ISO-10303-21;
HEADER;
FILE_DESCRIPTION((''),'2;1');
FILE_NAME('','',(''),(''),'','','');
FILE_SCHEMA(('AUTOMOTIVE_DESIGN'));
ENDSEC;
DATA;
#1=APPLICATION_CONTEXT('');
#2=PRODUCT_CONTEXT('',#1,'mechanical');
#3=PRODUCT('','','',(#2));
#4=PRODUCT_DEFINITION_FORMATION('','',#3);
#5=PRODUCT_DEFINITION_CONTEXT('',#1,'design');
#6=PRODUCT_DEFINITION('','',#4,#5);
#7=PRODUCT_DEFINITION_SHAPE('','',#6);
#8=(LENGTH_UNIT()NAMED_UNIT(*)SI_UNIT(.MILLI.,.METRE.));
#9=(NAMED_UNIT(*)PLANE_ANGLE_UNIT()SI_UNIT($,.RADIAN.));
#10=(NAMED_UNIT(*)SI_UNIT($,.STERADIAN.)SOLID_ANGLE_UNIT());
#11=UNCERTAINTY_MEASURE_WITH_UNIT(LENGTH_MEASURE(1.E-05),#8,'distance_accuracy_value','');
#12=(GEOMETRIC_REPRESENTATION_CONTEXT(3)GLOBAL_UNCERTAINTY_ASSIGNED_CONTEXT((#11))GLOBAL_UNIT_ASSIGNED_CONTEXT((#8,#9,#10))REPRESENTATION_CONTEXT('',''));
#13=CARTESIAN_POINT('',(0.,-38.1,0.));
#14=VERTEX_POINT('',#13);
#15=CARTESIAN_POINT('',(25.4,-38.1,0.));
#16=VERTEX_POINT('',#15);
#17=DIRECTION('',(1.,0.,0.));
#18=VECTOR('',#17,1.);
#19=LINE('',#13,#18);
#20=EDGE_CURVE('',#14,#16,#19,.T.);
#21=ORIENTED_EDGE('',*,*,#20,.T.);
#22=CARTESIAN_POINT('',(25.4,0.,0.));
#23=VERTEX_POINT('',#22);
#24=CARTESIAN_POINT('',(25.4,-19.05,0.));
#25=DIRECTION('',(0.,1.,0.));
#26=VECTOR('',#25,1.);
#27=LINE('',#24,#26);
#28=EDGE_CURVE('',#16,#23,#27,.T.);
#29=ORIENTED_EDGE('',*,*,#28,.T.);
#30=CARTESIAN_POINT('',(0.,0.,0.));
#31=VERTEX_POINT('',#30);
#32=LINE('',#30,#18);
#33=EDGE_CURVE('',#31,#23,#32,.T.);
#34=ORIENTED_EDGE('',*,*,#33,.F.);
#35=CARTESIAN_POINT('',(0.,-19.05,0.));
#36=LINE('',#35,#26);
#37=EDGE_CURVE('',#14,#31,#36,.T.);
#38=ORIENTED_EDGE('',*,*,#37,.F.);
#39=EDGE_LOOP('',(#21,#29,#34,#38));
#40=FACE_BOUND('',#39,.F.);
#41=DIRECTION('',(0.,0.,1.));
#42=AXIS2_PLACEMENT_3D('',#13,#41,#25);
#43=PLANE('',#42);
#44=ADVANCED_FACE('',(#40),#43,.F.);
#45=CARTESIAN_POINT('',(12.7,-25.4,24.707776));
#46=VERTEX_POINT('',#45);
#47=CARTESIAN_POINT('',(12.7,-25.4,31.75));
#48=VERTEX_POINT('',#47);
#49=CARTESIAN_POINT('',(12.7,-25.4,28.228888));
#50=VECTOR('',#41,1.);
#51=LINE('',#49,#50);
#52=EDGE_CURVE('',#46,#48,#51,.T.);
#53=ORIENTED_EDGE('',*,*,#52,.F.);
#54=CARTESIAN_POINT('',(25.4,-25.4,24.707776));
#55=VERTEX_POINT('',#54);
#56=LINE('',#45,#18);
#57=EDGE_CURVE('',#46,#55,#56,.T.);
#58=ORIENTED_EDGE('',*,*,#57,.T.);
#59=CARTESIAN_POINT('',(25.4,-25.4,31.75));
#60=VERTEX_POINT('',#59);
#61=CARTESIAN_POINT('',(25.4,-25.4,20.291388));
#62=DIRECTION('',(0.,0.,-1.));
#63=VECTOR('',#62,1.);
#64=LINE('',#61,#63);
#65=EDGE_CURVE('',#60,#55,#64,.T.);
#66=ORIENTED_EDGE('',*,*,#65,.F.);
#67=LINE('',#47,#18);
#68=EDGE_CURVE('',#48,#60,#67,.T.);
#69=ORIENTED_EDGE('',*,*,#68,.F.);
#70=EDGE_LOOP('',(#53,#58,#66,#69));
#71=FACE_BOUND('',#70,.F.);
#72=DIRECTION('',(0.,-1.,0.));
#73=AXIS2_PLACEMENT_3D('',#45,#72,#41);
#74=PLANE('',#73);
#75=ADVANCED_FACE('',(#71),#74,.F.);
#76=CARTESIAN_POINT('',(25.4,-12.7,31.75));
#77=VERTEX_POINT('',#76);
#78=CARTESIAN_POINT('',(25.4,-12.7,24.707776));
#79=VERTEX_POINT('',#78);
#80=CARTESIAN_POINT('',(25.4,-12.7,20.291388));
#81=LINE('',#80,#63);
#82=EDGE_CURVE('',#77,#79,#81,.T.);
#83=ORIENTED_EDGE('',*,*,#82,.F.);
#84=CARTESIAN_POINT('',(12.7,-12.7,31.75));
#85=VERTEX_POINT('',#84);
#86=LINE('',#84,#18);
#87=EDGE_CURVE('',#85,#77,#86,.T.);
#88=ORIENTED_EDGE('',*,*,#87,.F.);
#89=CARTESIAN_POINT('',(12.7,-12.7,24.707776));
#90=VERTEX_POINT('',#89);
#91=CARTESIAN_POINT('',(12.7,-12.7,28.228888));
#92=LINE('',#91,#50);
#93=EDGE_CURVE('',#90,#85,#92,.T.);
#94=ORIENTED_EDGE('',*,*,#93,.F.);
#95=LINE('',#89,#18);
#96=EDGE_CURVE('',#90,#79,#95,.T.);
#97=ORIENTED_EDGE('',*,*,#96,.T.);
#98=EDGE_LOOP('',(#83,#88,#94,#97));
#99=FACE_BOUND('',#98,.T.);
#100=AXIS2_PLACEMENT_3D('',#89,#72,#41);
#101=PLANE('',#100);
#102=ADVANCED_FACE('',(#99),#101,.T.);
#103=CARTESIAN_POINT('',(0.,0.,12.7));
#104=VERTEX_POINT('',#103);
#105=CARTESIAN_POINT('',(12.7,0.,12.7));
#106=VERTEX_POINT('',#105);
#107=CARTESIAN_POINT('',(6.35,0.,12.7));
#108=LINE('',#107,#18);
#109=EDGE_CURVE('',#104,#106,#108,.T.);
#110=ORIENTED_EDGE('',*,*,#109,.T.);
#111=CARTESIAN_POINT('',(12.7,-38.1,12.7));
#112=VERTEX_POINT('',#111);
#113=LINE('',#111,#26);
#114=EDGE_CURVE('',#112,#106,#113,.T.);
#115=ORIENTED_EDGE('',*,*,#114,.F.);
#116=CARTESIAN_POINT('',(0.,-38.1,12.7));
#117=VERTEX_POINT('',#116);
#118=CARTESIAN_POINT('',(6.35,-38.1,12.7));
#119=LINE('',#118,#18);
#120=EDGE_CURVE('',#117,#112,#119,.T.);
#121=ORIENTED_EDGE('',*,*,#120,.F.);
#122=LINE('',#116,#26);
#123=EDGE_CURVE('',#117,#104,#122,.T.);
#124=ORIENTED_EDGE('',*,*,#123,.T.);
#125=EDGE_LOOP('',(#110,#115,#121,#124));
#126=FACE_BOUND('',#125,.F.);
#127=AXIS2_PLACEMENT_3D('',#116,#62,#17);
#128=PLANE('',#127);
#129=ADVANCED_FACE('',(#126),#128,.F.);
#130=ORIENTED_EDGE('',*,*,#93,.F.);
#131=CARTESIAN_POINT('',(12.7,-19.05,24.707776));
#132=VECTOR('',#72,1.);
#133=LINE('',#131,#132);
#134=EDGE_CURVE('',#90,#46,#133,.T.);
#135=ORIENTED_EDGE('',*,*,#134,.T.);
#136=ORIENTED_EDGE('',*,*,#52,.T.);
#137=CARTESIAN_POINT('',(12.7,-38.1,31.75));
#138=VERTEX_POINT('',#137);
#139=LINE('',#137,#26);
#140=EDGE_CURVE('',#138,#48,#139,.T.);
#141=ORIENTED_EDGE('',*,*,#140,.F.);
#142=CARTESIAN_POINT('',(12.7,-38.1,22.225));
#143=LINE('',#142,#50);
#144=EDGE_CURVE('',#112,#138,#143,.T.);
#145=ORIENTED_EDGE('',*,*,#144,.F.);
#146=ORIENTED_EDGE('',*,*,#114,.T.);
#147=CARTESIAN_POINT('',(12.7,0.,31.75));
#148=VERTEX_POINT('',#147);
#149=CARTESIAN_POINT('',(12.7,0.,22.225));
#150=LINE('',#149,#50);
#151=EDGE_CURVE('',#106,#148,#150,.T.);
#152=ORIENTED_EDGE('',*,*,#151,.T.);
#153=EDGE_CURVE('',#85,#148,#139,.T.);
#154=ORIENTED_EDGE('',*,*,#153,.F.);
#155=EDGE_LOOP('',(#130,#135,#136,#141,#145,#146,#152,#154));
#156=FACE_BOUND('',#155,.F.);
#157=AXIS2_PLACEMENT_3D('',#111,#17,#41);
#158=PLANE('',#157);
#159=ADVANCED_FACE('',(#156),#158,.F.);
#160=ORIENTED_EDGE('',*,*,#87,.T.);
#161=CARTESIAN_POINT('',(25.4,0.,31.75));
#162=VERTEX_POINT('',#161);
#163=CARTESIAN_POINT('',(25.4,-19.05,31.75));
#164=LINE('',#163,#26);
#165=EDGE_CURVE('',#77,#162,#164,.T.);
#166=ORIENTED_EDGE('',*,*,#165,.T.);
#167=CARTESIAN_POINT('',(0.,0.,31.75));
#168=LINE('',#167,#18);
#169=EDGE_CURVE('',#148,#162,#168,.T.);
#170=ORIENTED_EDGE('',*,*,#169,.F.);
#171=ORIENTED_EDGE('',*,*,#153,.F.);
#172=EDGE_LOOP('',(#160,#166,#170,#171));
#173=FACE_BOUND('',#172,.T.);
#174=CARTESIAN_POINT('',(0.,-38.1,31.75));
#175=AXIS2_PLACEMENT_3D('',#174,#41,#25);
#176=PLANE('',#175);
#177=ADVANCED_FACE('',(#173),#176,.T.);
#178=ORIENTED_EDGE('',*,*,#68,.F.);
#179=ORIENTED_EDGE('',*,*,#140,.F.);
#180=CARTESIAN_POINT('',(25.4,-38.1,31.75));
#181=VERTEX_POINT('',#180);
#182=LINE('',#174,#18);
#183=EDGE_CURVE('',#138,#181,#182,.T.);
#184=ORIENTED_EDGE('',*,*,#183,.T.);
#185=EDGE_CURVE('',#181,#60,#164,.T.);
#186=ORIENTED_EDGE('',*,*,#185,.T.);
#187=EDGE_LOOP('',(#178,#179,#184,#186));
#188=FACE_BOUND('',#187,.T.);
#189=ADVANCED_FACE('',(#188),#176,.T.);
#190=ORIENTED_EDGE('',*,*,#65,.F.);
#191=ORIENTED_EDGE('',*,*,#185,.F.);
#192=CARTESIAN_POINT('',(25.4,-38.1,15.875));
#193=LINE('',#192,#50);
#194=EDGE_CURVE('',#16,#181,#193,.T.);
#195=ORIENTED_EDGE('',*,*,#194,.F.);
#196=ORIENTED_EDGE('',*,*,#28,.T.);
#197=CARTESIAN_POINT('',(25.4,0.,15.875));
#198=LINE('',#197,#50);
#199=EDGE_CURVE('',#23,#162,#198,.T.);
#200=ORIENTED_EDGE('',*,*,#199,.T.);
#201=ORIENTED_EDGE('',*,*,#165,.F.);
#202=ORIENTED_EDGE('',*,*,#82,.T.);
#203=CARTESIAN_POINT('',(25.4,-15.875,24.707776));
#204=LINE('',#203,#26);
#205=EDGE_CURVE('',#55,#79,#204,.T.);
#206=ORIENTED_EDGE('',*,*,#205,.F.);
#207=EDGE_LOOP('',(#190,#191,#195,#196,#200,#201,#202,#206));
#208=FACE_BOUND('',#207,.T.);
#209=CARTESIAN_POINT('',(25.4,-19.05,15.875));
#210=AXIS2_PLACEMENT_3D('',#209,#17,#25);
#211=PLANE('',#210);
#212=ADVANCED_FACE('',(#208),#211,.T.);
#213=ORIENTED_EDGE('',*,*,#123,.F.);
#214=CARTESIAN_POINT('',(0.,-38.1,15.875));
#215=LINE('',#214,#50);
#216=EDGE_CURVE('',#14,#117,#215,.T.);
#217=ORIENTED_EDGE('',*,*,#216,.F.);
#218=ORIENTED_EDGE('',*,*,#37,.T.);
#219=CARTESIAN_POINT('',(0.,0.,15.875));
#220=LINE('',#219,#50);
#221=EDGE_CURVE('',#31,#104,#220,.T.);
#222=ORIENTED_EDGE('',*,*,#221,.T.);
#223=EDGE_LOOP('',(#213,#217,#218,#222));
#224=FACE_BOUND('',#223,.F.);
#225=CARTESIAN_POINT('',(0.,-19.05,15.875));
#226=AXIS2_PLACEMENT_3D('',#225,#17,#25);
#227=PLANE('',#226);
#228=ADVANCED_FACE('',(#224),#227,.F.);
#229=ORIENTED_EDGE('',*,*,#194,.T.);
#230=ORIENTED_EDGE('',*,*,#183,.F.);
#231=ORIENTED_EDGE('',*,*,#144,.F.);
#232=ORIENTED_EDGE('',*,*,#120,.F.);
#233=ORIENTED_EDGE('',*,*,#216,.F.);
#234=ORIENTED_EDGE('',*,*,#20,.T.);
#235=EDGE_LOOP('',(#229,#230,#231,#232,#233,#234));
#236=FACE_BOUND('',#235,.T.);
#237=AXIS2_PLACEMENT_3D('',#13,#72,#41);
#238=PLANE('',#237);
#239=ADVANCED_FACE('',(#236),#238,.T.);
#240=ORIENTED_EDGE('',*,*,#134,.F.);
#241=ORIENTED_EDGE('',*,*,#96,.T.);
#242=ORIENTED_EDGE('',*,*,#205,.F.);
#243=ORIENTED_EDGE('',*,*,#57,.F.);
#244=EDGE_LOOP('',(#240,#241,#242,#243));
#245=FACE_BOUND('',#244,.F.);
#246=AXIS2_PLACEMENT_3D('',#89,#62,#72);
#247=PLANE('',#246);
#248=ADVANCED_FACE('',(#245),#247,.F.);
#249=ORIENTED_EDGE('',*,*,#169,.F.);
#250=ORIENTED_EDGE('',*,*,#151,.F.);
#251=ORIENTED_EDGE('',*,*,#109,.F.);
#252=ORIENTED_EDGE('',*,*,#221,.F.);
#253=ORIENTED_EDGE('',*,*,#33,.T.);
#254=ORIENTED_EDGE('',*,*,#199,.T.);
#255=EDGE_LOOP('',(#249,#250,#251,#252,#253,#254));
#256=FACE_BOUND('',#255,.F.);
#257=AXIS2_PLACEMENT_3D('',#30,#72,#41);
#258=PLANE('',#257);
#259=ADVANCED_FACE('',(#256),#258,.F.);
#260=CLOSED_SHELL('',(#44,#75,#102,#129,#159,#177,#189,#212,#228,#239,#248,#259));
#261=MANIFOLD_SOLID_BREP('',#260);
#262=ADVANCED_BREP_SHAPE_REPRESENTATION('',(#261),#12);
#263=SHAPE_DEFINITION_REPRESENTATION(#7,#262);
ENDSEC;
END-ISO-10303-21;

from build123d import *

# Parameters (mm, degrees)
F0_W     = 38.1
F0_H     = 31.75
F1_DEPTH = 25.4
F2_W     = 12.7
F2_H     = 19.05
F3_DEPTH = 38.1
F4_W     = 12.7
F4_H     = 7.042224
F5_DEPTH = 25.4


with BuildPart() as f1:
    # F0 (on Right) → F1 (new body)
    with BuildSketch(Plane.YZ):
        with Locations((-19.05, 15.875)):
            Rectangle(F0_W, F0_H)
    extrude(amount=F1_DEPTH)

    # F2 (on face) → F3 (cut)
    with BuildSketch(Plane.XZ.offset(38.1)):
        with Locations((6.35, 22.225)):
            Rectangle(F2_W, F2_H)
    extrude(amount=-F3_DEPTH, mode=Mode.SUBTRACT)

    # F4 (on face) → F5 (cut)
    with BuildSketch(Plane(origin=(12.7, 0, 0), x_dir=(0, -1, 0), z_dir=(-1, 0, 0))):
        with Locations((19.05, 28.228888)):
            Rectangle(F4_W, F4_H)
    extrude(amount=-F5_DEPTH, mode=Mode.SUBTRACT)


solid = f1.part
